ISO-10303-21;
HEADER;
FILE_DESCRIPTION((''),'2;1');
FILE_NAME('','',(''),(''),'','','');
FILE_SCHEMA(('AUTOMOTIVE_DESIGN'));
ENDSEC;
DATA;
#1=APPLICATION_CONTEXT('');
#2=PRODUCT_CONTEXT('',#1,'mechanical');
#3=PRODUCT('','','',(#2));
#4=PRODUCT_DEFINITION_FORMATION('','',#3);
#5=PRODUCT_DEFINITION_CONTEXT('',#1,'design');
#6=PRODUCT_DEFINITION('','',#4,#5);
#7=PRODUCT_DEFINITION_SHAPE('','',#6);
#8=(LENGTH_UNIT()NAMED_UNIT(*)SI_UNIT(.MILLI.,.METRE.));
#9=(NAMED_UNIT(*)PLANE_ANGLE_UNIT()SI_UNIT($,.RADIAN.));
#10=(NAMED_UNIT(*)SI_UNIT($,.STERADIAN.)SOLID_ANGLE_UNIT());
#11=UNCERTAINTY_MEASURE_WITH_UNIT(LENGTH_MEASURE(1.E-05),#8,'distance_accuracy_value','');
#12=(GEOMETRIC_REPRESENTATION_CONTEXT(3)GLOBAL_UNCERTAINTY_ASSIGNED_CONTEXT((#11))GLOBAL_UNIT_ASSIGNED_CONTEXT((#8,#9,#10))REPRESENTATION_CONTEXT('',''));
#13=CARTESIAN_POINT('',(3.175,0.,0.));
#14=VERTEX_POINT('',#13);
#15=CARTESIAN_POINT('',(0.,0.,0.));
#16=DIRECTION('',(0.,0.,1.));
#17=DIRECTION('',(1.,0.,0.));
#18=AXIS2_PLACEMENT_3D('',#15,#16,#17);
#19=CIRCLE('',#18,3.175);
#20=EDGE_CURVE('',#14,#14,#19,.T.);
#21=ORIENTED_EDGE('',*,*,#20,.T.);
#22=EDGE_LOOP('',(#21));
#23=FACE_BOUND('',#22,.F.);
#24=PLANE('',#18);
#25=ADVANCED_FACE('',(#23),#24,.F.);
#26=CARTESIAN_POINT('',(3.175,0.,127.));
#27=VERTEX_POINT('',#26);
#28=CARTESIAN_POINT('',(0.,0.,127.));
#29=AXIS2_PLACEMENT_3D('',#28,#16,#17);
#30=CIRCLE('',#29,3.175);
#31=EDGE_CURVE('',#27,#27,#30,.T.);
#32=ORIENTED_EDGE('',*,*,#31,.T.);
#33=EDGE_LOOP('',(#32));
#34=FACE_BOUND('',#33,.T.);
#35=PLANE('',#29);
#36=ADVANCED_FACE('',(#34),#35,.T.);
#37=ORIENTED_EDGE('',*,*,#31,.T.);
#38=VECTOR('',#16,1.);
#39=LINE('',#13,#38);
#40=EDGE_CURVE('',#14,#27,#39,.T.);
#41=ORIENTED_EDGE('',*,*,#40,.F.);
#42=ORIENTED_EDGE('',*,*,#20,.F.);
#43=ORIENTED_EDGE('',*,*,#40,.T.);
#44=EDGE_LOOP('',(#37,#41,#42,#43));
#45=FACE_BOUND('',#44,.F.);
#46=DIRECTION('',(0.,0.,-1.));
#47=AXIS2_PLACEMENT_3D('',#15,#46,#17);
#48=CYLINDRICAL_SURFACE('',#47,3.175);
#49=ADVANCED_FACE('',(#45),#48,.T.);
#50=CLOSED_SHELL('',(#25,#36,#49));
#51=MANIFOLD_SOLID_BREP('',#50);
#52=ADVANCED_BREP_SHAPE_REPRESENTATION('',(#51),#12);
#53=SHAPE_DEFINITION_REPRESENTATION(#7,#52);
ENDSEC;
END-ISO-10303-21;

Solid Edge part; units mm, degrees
sketch "Sketch1" plane through (0, 0, 0) normal (0, 0, 1) x (1, 0, 0)
  circle A0 centre (0, 0) radius 3.175
extrude "Protrusion1" add sketch "Sketch1" along normal blind 127
properties material "Brass, yellow brass"
